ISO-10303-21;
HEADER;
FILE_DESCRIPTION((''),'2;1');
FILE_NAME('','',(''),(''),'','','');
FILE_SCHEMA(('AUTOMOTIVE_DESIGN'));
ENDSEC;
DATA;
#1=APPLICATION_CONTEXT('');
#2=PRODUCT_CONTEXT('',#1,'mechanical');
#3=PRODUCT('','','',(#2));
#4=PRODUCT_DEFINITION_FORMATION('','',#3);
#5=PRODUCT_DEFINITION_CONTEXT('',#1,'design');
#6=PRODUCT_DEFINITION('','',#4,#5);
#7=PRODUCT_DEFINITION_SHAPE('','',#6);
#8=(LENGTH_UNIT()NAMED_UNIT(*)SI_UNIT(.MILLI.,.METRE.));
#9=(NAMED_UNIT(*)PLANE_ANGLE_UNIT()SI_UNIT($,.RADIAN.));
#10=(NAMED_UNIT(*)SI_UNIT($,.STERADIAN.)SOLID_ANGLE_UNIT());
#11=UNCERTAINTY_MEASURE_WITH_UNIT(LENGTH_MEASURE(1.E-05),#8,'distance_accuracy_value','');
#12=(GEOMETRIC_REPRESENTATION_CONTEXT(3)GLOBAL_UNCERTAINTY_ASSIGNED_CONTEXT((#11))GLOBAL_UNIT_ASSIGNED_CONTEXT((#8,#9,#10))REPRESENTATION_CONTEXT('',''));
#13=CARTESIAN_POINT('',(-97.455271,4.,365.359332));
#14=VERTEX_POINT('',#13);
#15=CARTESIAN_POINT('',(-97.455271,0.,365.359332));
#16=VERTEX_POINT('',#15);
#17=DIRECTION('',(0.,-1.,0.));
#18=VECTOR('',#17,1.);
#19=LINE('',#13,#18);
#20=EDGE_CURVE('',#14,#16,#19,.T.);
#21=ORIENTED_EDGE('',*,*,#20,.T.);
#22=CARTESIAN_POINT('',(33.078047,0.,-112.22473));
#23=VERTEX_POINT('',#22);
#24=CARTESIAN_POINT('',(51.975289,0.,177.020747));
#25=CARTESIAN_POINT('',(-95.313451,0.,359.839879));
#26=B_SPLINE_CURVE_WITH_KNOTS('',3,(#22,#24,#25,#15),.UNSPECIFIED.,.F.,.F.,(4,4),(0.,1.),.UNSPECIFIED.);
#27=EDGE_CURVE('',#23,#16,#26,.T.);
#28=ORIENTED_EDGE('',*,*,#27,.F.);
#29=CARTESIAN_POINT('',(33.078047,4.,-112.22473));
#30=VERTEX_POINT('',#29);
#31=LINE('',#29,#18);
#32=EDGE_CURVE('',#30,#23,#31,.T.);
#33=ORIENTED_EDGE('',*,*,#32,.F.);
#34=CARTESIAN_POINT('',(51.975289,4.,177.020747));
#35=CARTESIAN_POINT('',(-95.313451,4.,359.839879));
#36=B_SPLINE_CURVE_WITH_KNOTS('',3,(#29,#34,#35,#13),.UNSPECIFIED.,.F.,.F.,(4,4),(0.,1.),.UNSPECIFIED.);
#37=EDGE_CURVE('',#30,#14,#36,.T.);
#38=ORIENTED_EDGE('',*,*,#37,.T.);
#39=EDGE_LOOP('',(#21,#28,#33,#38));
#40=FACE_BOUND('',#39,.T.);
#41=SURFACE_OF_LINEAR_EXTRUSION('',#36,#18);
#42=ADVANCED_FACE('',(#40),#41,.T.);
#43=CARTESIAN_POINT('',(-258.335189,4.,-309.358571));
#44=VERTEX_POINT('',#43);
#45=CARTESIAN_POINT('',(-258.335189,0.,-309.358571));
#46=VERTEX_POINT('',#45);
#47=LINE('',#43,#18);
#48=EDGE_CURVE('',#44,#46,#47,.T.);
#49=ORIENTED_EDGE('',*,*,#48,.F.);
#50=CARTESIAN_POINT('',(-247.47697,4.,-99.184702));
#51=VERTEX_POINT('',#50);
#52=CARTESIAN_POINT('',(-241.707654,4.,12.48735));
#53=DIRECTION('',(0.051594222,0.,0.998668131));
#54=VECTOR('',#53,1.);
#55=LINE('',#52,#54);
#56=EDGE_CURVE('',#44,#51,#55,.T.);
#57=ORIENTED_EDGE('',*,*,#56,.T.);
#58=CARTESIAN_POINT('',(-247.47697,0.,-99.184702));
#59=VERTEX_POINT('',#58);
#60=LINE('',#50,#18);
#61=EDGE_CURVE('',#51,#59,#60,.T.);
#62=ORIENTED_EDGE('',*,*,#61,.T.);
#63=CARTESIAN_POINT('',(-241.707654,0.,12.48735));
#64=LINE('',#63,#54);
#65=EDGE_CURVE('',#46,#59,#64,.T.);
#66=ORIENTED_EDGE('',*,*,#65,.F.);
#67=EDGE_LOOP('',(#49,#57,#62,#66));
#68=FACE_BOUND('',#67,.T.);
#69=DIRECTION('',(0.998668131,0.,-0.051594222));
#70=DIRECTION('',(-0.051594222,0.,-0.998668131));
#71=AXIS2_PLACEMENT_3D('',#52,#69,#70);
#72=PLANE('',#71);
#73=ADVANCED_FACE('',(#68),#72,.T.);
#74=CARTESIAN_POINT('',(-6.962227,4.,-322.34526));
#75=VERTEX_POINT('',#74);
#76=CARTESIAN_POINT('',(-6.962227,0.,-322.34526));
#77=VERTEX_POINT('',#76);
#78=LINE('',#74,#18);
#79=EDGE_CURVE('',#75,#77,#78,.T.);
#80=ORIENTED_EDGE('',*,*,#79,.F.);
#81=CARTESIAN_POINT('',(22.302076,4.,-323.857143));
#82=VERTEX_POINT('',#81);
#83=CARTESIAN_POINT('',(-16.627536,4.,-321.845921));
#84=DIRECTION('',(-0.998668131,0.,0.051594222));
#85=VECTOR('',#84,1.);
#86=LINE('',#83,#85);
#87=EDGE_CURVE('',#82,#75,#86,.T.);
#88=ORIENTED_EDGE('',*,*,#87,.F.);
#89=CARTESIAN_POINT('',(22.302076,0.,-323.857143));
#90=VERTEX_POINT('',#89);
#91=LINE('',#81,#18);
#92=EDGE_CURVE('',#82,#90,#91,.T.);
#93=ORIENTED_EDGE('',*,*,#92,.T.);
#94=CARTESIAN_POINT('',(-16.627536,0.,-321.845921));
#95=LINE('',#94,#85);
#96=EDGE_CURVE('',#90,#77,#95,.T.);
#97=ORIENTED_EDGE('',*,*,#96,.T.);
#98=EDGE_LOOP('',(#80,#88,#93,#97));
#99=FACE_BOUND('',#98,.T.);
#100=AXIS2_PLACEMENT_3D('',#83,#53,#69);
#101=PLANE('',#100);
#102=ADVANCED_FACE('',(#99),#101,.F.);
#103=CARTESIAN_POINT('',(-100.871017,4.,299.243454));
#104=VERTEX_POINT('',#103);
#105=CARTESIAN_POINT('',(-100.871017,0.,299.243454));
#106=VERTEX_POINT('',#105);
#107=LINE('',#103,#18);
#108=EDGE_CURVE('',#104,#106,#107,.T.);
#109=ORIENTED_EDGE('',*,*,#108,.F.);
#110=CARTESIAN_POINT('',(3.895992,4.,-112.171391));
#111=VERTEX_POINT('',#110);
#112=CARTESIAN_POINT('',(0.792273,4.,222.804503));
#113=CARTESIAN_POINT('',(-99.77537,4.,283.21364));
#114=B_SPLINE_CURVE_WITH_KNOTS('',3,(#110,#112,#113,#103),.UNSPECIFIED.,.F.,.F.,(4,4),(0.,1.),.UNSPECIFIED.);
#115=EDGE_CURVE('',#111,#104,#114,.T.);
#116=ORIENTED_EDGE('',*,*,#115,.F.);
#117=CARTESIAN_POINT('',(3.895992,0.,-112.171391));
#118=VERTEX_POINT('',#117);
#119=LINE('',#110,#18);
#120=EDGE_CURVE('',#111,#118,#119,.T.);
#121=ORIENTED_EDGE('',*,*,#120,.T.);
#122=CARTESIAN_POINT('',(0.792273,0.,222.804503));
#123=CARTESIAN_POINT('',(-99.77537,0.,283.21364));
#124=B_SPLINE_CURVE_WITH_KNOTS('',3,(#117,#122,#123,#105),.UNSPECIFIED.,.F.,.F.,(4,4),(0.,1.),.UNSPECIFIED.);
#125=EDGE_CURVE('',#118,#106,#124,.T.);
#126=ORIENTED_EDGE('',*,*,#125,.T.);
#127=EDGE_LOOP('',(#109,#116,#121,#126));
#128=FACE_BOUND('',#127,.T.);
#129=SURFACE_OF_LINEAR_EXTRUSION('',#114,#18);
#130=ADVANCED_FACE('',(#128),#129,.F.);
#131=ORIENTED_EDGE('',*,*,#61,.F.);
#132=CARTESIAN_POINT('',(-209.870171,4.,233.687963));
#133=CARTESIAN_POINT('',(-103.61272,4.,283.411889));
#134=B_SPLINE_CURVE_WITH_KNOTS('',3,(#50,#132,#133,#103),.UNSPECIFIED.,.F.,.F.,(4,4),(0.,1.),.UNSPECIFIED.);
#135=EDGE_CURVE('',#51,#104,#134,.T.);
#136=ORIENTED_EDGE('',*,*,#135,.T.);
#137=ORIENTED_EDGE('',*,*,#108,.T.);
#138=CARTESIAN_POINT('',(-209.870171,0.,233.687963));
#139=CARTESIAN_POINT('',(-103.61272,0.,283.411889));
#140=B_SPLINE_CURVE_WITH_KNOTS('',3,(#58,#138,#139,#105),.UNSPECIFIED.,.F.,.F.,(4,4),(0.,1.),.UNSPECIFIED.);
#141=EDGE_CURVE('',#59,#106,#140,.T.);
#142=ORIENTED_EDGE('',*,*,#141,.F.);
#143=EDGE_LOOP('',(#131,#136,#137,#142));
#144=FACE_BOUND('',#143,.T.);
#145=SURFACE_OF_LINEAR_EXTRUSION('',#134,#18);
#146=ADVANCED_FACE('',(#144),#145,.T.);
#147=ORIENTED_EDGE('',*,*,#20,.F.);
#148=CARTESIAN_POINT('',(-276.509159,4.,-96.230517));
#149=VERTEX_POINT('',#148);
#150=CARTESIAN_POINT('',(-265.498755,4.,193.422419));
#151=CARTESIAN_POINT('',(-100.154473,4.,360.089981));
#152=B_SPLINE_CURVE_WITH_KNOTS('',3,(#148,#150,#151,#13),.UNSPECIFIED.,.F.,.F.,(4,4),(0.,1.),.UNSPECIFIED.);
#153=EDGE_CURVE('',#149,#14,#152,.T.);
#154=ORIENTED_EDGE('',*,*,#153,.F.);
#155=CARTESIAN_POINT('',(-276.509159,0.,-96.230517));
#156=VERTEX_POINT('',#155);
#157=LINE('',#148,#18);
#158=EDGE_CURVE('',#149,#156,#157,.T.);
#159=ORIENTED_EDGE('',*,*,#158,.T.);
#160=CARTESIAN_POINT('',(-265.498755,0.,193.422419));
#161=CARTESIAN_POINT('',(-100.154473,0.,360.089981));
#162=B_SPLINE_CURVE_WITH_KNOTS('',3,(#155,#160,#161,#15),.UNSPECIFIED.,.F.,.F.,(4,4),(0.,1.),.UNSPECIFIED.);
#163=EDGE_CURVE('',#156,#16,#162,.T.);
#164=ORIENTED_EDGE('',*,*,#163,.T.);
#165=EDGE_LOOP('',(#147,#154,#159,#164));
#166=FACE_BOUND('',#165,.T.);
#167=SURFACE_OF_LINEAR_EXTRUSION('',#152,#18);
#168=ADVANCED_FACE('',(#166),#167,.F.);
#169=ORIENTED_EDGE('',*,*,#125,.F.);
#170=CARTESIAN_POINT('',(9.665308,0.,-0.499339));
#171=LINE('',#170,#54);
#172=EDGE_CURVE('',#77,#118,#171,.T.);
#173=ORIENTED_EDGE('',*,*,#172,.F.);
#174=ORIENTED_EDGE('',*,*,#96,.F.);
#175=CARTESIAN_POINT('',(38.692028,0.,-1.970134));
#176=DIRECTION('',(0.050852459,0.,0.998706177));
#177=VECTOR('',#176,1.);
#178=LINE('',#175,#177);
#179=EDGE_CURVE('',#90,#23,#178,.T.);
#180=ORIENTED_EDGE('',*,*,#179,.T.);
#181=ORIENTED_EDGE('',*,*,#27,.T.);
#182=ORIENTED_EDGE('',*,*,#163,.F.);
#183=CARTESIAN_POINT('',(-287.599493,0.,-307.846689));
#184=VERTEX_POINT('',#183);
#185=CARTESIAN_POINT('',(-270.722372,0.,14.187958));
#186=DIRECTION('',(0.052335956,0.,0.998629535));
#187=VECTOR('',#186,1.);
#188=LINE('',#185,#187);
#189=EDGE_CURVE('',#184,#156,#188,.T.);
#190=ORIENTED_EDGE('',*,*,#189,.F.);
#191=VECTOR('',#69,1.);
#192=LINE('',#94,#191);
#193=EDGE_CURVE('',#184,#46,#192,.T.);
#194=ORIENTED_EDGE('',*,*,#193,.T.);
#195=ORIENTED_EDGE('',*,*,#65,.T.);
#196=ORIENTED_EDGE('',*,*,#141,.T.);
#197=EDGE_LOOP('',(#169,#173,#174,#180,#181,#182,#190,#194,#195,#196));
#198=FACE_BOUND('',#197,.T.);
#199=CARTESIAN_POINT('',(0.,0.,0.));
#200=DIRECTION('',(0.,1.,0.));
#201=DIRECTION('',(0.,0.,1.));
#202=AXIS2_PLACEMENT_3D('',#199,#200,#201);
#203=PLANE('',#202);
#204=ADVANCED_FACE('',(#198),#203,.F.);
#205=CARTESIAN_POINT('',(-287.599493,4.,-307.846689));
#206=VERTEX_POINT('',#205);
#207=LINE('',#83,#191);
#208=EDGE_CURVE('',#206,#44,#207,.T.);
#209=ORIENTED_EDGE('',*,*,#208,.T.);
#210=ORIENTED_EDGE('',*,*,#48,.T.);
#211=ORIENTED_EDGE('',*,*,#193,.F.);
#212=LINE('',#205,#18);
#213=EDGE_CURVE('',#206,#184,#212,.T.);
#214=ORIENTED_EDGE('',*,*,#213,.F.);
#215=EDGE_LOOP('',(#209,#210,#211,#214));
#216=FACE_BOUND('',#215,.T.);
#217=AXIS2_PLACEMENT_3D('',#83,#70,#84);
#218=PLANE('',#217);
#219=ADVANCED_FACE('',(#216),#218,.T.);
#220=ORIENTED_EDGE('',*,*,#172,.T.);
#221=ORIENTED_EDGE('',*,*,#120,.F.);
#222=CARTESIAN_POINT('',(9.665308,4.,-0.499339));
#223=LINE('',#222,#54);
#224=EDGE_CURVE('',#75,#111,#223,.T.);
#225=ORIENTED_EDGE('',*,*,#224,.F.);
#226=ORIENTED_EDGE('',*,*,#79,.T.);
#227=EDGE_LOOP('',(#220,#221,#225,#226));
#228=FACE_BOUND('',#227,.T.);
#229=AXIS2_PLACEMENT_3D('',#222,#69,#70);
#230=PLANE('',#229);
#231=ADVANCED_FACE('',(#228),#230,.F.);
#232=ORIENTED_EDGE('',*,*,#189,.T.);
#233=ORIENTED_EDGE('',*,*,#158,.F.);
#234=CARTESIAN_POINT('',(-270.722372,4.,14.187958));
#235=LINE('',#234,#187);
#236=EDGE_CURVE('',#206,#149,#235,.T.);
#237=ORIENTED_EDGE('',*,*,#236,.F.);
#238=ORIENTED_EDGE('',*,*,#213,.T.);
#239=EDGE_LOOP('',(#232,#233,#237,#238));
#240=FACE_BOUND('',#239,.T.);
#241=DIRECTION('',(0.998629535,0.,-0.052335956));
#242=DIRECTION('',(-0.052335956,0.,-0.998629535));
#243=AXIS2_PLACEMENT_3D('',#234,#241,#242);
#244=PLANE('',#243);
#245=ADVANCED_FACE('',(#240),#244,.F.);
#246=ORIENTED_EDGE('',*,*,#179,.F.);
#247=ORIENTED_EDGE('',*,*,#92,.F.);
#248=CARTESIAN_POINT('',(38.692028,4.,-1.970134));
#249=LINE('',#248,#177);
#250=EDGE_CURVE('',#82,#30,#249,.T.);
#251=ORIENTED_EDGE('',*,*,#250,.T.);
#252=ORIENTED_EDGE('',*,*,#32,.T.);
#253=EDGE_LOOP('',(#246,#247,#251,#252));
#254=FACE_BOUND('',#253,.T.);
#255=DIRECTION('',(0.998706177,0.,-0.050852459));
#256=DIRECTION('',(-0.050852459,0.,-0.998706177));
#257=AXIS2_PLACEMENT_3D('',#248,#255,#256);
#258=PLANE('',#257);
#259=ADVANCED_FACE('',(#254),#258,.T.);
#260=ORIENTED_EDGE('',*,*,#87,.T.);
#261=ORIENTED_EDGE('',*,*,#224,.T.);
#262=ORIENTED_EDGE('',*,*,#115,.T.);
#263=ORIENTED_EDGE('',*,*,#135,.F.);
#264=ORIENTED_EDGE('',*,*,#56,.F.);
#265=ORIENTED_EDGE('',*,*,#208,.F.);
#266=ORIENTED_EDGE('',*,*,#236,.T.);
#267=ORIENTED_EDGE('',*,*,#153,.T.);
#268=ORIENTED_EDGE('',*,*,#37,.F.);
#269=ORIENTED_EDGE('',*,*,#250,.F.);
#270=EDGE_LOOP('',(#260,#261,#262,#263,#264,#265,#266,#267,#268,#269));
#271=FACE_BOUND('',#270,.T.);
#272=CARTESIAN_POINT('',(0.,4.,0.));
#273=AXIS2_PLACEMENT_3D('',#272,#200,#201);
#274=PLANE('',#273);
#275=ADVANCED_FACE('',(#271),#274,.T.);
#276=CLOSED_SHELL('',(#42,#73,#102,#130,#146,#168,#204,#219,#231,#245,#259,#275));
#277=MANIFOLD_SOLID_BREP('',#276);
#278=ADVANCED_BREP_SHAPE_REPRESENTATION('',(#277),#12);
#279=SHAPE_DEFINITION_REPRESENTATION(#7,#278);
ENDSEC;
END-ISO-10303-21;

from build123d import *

# Parameters (mm, degrees)
BOSS_EXTRUDE1_DEPTH = 4


with BuildPart() as part:
    # Sketch1 → Boss-Extrude1 (new body)
    with BuildSketch(Plane(origin=(0, 0, 0), x_dir=(1, 0, 0), z_dir=(0, 1, 0))):
        with BuildLine():
            Line((-287.599492609, 307.846688721), (-276.509158993, 96.230517076))
            add(Edge.make_bspline(
                [(-276.509158993, 96.230517076), (-265.498754924, -193.422418568), (-100.154473104, -360.089981136), (-97.455270859, -365.359331923)],
                knots=[0, 0, 0, 0, 1, 1, 1, 1], degree=3))
            Line((-97.455270859, -365.359331923), (-100.871017472, -299.24345381))
            add(Edge.make_bspline(
                [(-247.476970144, 99.184701956), (-209.870171036, -233.687963111), (-103.612719847, -283.411888875), (-100.871017472, -299.24345381)],
                knots=[0, 0, 0, 0, 1, 1, 1, 1], degree=3))
            Line((-247.476970144, 99.184701956), (-258.335189119, 309.358571318))
            Line((-258.335189119, 309.358571318), (-287.599492609, 307.846688721))
        make_face()
        with BuildLine():
            Line((-6.962227222, 322.345260258), (3.895991753, 112.171390896))
            add(Edge.make_bspline(
                [(3.895991753, 112.171390896), (0.792272957, -222.80450289), (-99.775370482, -283.213639779), (-100.871017472, -299.24345381)],
                knots=[0, 0, 0, 0, 1, 1, 1, 1], degree=3))
            Line((-100.871017472, -299.24345381), (-97.455270859, -365.359331923))
            add(Edge.make_bspline(
                [(33.078047071, 112.224730275), (51.975289253, -177.020747413), (-95.313450893, -359.839879259), (-97.455270859, -365.359331923)],
                knots=[0, 0, 0, 0, 1, 1, 1, 1], degree=3))
            Line((33.078047071, 112.224730275), (22.302076268, 323.857142855))
            Line((22.302076268, 323.857142855), (-6.962227222, 322.345260258))
        make_face()
    extrude(amount=BOSS_EXTRUDE1_DEPTH)


solid = part.part
